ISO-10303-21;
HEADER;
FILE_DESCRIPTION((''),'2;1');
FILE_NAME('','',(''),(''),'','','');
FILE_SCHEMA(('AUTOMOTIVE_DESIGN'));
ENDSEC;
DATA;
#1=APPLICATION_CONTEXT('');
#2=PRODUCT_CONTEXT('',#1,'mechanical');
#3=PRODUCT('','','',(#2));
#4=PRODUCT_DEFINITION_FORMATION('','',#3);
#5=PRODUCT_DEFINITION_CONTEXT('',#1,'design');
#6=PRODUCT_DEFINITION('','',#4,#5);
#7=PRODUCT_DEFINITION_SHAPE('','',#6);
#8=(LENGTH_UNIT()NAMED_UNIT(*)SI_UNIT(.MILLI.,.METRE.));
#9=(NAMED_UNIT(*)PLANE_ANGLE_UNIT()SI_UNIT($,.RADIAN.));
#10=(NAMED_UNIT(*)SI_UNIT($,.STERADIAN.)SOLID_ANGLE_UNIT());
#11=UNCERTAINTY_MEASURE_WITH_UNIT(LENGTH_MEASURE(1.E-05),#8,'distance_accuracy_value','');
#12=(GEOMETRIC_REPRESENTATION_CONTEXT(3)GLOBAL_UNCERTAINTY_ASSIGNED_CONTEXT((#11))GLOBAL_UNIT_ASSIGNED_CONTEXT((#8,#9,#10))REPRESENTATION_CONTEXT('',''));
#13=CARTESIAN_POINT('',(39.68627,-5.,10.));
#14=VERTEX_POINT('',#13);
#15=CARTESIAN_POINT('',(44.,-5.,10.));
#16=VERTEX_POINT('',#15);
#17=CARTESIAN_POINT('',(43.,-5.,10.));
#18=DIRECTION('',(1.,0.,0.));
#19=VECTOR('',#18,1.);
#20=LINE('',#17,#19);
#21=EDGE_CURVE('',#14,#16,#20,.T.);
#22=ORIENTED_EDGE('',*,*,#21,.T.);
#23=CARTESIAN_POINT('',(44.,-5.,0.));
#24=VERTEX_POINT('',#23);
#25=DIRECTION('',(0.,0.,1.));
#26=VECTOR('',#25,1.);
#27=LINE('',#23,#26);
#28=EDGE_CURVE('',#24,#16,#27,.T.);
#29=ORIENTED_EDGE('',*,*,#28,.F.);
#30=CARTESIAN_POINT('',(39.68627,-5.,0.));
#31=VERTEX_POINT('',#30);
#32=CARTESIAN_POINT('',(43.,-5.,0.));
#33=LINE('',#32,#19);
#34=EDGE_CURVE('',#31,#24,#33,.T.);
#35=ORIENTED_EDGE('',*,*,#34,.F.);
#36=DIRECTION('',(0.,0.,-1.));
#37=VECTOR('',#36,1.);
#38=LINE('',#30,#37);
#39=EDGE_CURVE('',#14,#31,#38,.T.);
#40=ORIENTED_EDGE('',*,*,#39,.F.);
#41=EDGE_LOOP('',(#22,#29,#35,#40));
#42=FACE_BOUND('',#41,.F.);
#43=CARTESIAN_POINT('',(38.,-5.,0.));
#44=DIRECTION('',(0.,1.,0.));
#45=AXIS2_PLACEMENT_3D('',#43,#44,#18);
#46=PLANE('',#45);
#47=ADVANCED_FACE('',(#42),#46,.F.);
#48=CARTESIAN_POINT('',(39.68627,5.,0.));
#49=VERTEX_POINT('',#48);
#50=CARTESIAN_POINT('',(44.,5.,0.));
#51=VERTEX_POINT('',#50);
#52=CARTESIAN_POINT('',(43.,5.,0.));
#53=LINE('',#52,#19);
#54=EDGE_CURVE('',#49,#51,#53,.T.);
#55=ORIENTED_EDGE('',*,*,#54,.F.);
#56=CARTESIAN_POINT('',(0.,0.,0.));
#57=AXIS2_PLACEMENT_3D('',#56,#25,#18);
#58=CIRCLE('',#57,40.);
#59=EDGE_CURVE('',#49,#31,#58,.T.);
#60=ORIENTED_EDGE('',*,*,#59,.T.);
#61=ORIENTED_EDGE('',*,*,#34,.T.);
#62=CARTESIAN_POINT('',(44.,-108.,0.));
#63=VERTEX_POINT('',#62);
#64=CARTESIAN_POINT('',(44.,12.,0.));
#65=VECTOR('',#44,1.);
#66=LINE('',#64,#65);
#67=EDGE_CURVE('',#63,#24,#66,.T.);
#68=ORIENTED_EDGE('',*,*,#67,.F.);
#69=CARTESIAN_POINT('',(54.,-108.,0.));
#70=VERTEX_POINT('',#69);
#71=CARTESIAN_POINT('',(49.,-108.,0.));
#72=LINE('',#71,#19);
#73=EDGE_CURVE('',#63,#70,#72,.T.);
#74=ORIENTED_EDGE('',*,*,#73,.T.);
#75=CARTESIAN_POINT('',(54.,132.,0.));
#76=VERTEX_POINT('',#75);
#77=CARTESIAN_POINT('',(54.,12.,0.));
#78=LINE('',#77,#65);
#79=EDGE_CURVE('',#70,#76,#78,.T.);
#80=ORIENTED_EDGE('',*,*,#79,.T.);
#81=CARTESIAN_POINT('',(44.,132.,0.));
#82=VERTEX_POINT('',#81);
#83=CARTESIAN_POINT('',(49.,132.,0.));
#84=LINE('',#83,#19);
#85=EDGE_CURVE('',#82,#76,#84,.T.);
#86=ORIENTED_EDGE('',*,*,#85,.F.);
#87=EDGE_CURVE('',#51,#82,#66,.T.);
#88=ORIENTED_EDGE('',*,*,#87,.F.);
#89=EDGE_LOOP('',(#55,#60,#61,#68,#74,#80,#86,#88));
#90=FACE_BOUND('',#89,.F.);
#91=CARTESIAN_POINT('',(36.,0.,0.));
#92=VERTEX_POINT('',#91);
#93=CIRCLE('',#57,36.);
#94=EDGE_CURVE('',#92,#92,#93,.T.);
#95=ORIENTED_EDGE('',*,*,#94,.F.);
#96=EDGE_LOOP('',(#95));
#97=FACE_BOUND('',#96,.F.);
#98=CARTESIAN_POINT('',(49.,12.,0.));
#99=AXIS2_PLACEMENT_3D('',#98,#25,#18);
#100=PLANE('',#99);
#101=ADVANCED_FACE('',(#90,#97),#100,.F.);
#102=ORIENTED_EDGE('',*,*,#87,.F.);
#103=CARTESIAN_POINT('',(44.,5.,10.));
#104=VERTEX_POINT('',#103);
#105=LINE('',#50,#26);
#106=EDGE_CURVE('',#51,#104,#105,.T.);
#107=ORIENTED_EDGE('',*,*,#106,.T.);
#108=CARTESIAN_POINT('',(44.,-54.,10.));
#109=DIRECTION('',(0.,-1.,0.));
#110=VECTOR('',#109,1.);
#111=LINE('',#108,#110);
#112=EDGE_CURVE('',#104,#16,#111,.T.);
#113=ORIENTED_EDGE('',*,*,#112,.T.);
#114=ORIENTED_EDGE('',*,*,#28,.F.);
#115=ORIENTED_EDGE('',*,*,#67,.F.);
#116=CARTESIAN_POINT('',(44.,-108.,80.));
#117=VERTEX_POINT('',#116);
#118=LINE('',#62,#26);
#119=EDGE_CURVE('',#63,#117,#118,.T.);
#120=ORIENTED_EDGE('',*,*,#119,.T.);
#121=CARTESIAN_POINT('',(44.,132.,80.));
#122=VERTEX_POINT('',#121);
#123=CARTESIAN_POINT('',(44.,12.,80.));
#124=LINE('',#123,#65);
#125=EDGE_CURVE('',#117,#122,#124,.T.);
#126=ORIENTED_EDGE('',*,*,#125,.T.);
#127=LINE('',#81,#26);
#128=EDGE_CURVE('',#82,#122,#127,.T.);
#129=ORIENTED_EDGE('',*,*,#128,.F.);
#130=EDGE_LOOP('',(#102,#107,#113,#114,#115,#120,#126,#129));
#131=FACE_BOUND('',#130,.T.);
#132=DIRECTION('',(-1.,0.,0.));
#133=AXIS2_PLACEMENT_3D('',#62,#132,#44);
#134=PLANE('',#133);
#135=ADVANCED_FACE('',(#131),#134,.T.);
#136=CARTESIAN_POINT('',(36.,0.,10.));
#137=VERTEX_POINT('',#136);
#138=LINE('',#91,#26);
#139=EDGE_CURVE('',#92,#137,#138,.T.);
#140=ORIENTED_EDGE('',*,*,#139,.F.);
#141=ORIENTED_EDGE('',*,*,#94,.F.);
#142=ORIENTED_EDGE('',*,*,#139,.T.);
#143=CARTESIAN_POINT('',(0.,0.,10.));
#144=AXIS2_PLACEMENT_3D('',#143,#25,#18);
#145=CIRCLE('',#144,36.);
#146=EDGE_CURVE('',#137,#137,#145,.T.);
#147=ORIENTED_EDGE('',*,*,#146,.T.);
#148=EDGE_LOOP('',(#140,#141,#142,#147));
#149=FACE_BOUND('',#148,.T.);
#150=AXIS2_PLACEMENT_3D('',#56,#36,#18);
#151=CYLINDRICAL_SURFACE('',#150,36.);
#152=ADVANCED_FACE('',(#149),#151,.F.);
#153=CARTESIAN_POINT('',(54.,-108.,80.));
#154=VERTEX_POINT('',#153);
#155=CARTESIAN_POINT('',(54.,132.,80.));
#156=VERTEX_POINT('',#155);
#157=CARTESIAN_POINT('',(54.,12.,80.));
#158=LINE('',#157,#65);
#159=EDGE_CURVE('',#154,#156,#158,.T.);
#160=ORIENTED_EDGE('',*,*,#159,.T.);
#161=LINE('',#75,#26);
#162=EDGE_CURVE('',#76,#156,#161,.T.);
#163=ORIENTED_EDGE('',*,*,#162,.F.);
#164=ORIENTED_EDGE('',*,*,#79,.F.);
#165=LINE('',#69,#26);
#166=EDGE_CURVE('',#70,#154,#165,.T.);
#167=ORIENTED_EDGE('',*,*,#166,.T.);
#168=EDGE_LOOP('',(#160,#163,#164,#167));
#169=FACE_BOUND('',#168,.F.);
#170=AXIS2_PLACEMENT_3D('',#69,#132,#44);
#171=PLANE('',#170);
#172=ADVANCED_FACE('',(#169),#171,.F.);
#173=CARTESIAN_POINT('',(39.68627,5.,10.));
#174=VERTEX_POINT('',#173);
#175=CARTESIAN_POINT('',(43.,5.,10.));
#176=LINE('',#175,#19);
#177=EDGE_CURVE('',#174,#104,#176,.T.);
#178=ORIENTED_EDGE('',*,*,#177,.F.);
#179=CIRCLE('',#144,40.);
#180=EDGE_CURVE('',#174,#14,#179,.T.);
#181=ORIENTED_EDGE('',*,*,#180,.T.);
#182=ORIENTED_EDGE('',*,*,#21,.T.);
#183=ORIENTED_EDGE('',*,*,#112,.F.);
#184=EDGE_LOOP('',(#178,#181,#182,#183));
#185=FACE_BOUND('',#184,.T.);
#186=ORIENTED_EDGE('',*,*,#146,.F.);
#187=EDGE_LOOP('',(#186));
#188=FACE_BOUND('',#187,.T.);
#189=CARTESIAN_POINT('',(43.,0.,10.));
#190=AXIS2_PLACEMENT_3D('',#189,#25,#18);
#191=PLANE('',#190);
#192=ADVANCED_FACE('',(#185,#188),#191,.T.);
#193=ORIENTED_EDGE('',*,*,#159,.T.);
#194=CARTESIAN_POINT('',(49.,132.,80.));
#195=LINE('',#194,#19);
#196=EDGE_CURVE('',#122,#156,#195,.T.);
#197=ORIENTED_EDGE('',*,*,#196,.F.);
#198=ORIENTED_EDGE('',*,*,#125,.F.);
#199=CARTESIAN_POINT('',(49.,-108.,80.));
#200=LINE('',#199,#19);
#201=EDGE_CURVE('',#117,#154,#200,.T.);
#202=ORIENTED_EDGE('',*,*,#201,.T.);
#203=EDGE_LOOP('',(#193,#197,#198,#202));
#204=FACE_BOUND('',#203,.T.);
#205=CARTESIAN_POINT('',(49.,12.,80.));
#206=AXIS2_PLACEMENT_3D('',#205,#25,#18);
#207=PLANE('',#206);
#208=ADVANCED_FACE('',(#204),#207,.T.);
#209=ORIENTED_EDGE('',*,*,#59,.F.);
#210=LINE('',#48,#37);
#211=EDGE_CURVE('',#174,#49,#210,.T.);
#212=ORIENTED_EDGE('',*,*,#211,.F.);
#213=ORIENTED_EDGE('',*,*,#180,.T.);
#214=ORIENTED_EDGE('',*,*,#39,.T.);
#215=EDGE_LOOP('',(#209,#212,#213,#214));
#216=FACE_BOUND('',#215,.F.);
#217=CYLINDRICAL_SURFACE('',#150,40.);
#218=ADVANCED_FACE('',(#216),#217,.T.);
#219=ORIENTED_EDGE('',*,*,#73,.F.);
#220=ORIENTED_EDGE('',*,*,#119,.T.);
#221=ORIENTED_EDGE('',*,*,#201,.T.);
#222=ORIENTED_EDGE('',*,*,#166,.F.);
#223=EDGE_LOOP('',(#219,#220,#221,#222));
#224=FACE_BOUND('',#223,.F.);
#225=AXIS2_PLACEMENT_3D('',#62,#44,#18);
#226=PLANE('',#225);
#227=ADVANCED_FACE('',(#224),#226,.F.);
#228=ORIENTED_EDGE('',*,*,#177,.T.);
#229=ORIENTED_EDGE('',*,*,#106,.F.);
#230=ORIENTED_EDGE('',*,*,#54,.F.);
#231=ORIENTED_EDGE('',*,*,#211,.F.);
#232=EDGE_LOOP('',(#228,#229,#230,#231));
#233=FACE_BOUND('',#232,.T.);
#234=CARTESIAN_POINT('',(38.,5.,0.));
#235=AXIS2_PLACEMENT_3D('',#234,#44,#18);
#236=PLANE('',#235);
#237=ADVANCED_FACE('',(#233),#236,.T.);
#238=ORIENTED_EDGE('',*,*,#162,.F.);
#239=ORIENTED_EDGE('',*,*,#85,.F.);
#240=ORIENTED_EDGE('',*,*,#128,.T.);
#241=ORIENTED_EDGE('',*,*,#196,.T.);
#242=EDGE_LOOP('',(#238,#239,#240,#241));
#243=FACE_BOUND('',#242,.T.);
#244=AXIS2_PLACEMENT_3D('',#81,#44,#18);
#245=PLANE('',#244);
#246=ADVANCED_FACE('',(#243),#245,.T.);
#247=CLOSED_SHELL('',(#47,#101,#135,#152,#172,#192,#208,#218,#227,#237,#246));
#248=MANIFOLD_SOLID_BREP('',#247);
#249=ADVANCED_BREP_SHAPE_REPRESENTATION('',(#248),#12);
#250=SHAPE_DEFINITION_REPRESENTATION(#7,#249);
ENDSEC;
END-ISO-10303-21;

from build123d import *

# Parameters (mm, degrees)
BOX_W             = 10
BOX_H             = 10
BOX_DEPTH         = 10
BOX001_W          = 10
BOX001_H          = 240
BOX001_DEPTH      = 80
CYLINDER001_R     = 36
CYLINDER001_DEPTH = 10
CYLINDER_R        = 40
CYLINDER_DEPTH    = 10


with BuildPart() as cube:
    # Box → Box (new body)
    with BuildSketch(Plane(origin=(38, -5, 0), x_dir=(1, 0, 0), z_dir=(0, 0, 1))):
        with Locations((5, 5)):
            Rectangle(BOX_W, BOX_H)
    extrude(amount=BOX_DEPTH)


with BuildPart() as cube001:
    # Box001 → Box001 (new body)
    with BuildSketch(Plane(origin=(44, -108, 0), x_dir=(1, 0, 0), z_dir=(0, 0, 1))):
        with Locations((5, 120)):
            Rectangle(BOX001_W, BOX001_H)
    extrude(amount=BOX001_DEPTH)


with BuildPart() as cylinder001:
    # Cylinder001 → Cylinder001 (new body)
    with BuildSketch(Plane.XY):
        Circle(CYLINDER001_R)
    extrude(amount=CYLINDER001_DEPTH)


with BuildPart() as fusion:
    # Cylinder → Cylinder (new body)
    with BuildSketch(Plane.XY):
        Circle(CYLINDER_R)
    extrude(amount=CYLINDER_DEPTH)

    # Cut: cut Cylinder001
    add(cylinder001.part, mode=Mode.SUBTRACT)

    # Fusion: union Cube, Cube001
    add(cube.part)
    add(cube001.part)


solid = fusion.part
